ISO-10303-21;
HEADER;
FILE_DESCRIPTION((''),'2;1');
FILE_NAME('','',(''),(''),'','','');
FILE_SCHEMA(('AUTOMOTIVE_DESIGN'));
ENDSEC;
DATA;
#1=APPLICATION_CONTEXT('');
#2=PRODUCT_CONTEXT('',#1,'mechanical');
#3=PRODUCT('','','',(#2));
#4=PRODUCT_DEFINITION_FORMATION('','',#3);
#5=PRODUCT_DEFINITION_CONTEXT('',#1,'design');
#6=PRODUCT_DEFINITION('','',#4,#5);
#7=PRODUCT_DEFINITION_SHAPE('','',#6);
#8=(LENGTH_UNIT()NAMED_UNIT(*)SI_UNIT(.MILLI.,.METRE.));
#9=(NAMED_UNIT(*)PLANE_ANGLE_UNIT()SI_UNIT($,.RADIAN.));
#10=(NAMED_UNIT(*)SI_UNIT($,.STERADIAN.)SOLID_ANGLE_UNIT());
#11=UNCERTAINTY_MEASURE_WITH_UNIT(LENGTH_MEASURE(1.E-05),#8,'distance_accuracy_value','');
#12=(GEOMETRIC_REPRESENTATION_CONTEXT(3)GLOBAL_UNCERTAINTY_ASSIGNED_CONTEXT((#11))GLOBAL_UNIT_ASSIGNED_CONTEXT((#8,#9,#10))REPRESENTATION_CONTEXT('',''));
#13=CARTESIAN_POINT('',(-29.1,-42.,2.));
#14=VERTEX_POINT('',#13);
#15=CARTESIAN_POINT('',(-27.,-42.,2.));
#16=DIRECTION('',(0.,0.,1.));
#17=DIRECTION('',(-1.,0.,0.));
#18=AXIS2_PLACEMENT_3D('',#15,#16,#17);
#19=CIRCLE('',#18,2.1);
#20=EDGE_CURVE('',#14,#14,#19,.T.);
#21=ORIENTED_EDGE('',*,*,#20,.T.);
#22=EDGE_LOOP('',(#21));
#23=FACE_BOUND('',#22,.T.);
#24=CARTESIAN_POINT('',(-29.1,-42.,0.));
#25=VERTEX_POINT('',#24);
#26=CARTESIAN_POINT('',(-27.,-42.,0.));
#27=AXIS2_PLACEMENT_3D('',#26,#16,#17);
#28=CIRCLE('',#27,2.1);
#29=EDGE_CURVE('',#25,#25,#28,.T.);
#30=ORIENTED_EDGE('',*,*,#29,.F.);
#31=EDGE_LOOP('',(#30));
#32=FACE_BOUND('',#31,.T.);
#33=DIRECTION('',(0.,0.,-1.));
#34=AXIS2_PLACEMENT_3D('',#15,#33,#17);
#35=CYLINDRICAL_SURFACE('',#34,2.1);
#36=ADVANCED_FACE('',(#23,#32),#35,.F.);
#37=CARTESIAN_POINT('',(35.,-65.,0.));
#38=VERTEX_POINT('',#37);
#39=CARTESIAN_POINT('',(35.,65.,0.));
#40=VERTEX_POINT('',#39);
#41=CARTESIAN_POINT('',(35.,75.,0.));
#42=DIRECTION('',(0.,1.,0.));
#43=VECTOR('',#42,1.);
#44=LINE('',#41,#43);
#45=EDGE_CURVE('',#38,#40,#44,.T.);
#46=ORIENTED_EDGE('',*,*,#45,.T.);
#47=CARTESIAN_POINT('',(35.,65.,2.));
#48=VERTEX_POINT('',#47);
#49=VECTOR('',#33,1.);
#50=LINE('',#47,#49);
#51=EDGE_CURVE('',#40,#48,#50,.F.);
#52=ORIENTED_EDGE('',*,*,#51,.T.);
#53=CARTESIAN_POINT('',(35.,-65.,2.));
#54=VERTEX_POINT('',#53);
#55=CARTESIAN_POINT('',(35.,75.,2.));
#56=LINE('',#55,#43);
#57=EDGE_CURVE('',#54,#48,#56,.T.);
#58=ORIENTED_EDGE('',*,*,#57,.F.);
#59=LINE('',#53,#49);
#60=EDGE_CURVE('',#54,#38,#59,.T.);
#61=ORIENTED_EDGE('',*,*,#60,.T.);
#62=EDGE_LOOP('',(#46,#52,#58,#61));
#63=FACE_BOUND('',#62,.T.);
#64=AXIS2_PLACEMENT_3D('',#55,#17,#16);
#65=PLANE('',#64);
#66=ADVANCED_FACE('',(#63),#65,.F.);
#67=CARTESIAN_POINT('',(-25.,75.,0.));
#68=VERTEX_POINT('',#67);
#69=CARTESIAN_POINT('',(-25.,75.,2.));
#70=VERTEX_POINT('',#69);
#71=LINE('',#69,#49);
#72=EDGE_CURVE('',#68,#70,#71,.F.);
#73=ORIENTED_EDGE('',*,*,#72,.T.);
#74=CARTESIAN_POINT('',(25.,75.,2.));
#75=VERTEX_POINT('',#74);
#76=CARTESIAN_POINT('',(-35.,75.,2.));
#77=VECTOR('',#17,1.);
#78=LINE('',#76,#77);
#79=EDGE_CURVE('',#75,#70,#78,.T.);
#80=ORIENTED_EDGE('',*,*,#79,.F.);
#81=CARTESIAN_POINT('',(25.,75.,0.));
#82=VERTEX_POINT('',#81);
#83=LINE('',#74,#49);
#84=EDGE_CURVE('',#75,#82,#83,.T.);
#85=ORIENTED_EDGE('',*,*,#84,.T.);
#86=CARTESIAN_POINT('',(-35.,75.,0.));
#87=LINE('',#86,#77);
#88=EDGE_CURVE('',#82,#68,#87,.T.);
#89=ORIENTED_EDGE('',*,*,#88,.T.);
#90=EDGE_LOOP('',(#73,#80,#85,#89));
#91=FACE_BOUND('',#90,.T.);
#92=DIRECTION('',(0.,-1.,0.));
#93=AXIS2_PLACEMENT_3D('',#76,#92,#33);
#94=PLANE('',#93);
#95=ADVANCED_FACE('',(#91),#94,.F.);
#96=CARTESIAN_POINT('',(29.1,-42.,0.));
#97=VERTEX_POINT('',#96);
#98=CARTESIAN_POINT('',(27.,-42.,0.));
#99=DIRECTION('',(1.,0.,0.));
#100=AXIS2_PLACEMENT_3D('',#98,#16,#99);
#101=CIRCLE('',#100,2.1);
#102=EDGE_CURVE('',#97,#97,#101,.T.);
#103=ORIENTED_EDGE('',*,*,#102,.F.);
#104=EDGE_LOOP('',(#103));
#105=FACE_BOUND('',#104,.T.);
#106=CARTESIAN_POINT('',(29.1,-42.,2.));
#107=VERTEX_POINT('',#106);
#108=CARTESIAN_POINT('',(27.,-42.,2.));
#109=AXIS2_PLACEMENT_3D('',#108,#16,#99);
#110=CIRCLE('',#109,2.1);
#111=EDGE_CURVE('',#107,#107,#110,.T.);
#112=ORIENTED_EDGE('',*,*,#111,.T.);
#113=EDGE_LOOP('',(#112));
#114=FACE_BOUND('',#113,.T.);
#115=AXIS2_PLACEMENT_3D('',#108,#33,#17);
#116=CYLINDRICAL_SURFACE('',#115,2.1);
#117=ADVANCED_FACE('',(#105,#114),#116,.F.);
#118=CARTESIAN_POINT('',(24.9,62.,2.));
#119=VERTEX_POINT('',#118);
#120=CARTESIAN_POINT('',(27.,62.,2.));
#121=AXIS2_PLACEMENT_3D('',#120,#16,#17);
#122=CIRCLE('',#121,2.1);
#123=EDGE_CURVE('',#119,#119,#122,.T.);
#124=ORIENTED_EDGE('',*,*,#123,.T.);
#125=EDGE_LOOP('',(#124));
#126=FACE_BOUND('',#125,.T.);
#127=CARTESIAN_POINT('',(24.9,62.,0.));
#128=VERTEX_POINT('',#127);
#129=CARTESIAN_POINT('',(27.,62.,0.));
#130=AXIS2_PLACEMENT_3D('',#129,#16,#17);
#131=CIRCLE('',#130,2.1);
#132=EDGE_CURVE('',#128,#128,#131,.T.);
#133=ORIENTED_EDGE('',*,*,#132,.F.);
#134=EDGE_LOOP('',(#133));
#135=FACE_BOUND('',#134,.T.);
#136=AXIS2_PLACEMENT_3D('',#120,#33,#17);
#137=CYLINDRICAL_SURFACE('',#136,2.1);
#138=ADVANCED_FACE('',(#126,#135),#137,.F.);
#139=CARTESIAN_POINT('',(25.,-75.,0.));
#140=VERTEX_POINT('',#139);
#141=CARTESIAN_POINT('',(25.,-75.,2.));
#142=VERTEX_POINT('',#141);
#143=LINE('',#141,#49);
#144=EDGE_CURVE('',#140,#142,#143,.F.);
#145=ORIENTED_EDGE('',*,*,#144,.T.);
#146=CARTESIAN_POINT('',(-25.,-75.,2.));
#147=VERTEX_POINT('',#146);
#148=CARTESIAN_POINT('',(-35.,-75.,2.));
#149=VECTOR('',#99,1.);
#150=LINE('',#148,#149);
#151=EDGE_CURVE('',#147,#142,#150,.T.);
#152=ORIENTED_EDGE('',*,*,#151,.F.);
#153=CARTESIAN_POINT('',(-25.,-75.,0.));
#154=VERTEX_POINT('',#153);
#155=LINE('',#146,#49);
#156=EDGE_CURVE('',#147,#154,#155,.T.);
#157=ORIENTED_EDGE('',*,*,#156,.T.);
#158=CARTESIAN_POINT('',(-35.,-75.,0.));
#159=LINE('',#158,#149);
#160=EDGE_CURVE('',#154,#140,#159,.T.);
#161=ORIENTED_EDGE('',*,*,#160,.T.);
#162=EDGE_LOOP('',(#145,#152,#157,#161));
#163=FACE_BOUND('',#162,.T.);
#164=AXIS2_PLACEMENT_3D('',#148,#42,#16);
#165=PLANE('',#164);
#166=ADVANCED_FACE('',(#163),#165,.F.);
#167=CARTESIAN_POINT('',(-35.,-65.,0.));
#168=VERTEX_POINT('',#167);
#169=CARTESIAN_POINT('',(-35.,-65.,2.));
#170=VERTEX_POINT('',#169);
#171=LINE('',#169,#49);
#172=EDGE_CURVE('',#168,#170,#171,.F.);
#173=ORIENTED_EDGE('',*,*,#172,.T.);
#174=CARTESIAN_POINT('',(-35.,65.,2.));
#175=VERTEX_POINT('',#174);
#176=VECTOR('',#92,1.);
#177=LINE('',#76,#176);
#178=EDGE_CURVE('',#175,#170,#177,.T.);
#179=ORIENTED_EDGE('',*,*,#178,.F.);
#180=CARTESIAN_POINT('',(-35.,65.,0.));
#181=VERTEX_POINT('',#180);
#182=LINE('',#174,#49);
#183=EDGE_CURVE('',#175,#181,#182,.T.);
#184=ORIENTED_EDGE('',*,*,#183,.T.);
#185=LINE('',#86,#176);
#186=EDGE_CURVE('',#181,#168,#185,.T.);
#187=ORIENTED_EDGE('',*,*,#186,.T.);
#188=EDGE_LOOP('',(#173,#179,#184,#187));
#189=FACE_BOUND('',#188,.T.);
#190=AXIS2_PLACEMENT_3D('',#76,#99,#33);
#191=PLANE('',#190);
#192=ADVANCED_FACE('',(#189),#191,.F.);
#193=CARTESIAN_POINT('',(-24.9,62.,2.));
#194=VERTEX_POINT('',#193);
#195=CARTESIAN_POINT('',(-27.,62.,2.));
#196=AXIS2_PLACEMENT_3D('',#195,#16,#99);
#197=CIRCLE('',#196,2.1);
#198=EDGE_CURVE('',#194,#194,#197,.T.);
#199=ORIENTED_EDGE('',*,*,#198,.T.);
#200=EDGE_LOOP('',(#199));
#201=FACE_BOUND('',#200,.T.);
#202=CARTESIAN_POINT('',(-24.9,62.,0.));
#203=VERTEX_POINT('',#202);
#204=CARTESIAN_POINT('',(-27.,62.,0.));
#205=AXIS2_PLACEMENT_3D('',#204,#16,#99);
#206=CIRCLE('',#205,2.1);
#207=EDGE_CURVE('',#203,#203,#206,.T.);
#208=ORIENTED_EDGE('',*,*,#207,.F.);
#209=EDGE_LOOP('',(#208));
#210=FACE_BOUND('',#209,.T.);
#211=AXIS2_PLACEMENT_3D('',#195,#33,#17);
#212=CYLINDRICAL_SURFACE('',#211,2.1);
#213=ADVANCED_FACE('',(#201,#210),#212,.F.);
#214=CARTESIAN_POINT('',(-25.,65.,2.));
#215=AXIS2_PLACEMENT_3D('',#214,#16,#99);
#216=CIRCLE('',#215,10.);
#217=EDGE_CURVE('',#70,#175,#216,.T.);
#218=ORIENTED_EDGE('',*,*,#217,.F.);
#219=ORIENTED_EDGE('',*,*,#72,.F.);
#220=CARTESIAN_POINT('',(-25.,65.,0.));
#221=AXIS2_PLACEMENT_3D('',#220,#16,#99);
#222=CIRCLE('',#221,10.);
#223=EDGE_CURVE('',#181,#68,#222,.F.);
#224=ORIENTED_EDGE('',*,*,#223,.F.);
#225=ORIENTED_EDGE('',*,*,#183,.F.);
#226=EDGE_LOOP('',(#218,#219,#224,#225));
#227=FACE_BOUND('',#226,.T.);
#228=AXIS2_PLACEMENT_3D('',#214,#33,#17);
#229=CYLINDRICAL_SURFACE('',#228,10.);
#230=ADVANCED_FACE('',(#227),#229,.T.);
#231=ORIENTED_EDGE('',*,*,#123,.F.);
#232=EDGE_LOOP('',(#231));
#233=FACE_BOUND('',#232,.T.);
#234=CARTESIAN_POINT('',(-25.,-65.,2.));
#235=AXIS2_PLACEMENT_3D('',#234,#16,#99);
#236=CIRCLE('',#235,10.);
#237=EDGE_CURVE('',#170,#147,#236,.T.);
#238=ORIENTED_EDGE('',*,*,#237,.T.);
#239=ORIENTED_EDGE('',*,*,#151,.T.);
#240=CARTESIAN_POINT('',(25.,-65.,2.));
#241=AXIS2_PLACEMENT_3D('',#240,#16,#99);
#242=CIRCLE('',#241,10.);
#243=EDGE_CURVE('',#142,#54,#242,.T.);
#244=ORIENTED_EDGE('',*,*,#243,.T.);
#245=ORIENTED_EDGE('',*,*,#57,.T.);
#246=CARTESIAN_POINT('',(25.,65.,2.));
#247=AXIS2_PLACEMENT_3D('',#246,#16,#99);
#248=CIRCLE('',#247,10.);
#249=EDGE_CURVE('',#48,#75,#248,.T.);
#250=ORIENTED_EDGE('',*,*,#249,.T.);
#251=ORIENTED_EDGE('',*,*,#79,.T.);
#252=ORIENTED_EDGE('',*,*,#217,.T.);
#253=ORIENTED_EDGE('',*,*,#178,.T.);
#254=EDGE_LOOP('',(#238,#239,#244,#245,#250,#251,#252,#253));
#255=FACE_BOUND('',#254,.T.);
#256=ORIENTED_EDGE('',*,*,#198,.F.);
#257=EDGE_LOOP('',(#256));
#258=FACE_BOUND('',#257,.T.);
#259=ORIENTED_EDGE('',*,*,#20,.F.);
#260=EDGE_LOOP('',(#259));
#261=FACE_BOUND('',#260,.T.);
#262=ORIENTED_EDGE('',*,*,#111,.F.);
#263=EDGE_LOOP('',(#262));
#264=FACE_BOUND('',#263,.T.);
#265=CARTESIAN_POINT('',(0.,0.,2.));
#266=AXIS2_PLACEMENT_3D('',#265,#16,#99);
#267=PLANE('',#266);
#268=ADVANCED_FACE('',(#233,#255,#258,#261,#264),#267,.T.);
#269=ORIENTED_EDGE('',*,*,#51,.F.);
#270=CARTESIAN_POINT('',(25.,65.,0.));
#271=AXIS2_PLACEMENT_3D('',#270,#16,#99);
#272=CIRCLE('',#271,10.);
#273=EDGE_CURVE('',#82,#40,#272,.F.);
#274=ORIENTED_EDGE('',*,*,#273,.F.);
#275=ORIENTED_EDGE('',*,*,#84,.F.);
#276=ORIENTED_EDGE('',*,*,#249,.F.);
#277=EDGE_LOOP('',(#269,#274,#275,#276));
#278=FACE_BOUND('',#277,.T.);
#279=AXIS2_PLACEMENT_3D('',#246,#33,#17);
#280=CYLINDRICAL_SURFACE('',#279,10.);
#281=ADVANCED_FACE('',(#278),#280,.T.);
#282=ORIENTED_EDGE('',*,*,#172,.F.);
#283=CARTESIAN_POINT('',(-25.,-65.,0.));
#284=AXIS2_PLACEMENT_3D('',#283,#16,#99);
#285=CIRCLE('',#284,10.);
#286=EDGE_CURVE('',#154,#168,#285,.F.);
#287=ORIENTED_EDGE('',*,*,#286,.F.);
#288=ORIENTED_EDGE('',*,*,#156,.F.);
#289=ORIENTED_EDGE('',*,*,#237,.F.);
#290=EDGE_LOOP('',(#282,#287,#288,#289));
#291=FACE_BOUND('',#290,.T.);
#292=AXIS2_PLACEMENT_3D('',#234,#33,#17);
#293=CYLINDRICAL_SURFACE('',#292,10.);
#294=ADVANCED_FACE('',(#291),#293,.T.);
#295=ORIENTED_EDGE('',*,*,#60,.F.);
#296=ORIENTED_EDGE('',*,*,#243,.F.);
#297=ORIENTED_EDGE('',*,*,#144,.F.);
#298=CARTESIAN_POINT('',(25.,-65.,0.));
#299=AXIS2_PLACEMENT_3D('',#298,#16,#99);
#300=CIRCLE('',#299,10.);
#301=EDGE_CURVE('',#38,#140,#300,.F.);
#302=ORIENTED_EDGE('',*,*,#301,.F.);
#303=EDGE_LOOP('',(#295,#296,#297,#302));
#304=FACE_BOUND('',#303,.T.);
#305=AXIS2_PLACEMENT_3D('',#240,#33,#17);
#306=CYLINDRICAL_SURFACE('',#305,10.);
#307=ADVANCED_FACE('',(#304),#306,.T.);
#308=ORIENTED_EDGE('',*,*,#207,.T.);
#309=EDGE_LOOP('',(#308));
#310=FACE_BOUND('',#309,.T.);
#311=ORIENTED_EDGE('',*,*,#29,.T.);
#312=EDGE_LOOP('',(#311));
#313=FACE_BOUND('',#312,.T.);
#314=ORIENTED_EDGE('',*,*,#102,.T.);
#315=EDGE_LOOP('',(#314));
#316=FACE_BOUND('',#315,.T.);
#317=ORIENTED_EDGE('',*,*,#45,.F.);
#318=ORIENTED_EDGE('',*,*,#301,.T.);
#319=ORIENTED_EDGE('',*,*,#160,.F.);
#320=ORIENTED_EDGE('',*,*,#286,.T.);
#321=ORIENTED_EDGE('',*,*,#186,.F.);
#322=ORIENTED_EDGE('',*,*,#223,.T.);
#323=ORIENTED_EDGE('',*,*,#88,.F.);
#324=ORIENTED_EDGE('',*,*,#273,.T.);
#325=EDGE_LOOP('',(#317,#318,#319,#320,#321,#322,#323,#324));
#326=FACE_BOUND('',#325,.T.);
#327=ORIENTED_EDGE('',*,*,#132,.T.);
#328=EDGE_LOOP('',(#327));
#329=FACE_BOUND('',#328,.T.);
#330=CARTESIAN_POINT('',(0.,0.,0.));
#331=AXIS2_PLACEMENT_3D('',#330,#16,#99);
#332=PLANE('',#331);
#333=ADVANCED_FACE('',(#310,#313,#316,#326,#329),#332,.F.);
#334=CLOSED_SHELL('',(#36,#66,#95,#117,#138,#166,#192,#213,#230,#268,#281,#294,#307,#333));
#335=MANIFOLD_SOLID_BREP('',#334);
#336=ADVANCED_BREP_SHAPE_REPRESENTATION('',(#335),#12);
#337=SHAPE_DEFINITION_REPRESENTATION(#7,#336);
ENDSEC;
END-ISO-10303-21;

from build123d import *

# Parameters (mm, degrees)
SKETCH_1_W      = 70
SKETCH_1_H      = 150
SKETCH_1_R      = 2.1
EXTRUDE_1_DEPTH = 2
FILLET_1_R      = 10


with BuildPart() as part:
    # 草图1 → 凸台-拉伸1 (new body)
    with BuildSketch(Plane.XY):
        Rectangle(SKETCH_1_W, SKETCH_1_H)
        with Locations((-27, 62)):
            Circle(SKETCH_1_R, mode=Mode.SUBTRACT)
        with Locations((27, 62)):
            Circle(SKETCH_1_R, mode=Mode.SUBTRACT)
        with Locations((27, -42)):
            Circle(SKETCH_1_R, mode=Mode.SUBTRACT)
        with Locations((-27, -42)):
            Circle(SKETCH_1_R, mode=Mode.SUBTRACT)
    extrude(amount=EXTRUDE_1_DEPTH)

    # 圆角1
    fillet_1_edges = [part.edges().sort_by_distance(p)[0] for p in [
        (35, -75, 1),
        (-35, -75, 1),
        (-35, 75, 1),
        (35, 75, 1),
    ]]
    fillet(fillet_1_edges, radius=FILLET_1_R)


solid = part.part
